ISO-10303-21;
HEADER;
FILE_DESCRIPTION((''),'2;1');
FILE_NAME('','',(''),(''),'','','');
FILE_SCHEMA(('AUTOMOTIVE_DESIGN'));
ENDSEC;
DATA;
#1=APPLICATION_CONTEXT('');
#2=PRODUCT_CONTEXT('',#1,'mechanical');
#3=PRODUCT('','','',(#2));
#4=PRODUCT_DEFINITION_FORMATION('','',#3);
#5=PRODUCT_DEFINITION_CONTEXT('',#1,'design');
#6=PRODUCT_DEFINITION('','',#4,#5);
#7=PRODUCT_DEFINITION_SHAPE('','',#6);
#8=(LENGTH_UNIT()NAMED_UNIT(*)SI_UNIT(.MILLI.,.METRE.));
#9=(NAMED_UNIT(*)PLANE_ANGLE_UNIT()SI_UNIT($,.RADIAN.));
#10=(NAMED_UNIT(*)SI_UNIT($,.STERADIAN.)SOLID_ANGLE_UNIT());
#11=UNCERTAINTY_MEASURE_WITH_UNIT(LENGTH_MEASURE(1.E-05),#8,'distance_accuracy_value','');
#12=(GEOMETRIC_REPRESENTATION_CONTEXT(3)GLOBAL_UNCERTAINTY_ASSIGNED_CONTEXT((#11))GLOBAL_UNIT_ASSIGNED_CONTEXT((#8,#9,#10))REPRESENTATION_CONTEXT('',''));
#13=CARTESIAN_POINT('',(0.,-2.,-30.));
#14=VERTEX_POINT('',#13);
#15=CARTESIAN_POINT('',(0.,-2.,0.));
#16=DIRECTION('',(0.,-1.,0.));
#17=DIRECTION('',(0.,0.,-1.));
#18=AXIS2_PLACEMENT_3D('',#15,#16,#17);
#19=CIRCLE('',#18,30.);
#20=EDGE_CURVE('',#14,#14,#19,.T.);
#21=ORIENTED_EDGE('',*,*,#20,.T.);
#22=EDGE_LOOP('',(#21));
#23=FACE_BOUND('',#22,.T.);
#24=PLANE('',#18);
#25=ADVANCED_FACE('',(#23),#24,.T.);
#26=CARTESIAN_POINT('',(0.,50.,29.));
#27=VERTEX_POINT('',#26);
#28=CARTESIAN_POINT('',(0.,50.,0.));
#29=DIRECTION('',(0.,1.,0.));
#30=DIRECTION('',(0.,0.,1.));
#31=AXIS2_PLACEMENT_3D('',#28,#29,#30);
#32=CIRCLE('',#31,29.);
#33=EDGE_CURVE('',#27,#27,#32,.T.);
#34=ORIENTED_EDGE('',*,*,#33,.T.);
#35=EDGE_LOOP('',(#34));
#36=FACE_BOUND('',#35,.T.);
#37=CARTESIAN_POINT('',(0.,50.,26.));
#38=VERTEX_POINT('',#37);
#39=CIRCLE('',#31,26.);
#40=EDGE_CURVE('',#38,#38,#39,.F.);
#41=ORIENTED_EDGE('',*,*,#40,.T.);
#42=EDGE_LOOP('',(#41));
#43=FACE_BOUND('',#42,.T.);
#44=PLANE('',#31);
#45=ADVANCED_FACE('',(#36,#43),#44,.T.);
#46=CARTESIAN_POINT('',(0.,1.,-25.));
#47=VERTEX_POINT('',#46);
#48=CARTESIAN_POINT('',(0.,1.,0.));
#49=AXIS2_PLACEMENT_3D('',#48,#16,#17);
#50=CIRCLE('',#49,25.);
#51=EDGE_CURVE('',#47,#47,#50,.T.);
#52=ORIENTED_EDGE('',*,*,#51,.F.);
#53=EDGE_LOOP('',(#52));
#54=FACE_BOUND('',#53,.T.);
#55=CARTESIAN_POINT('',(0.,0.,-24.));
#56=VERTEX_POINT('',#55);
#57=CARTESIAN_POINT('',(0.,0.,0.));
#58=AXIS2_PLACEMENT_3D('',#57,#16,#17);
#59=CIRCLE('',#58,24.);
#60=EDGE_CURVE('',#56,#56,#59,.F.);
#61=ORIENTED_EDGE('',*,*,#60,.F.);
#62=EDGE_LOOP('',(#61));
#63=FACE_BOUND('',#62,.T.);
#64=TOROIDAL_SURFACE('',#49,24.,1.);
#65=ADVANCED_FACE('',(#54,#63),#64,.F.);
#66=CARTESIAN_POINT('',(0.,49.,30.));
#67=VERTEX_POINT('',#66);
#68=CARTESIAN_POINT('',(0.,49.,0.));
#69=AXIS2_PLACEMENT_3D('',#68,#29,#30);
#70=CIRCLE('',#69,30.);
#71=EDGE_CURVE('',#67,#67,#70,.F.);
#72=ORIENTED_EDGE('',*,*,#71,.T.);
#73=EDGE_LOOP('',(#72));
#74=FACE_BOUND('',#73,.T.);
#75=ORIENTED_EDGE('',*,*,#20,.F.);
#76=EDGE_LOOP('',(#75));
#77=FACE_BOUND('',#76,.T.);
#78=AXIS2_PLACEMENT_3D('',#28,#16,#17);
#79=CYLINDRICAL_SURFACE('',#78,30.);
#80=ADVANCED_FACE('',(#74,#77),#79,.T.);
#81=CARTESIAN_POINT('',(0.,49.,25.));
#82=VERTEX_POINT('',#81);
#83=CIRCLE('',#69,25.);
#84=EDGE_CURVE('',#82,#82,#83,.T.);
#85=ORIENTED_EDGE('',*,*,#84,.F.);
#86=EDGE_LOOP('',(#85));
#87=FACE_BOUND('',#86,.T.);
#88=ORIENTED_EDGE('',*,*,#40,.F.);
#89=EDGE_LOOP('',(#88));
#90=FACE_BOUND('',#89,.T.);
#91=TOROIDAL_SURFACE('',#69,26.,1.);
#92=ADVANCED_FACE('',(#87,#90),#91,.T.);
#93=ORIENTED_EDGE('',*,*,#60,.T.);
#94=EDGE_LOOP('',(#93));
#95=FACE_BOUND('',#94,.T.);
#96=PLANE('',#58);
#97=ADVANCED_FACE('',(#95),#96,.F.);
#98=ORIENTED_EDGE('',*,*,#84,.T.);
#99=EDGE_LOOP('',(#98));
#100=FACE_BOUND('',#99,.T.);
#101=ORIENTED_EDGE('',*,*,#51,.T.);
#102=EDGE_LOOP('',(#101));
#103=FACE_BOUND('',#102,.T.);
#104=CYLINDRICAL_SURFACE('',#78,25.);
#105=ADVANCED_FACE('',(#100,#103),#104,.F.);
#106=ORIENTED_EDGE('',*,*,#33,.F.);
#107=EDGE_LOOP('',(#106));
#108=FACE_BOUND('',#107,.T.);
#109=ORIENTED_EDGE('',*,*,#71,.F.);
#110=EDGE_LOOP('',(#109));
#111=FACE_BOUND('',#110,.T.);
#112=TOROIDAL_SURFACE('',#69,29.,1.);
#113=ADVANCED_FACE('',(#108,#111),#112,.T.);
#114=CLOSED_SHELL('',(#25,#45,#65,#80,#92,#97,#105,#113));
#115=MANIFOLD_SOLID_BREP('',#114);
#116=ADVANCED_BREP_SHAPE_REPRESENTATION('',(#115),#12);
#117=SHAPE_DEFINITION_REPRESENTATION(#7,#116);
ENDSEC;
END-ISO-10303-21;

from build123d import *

# Parameters (mm, degrees)
SKETCH1_R           = 30
SKETCH1_R_2         = 25
BOSS_EXTRUDE1_DEPTH = 50
BOSS_EXTRUDE2_START = 2
SKETCH2_R           = 30
BOSS_EXTRUDE2_DEPTH = 2
FILLET1_R           = 1


with BuildPart() as part:
    # Sketch1 → Boss-Extrude1 (new body)
    with BuildSketch(Plane(origin=(0, 0, 0), x_dir=(1, 0, 0), z_dir=(0, 1, 0))):
        with Locations(Location((0, 0, 0), (0, 0, 270))):
            Circle(SKETCH1_R)
        with Locations(Location((0, 0, 0), (0, 0, 270))):
            Circle(SKETCH1_R_2, mode=Mode.SUBTRACT)
    extrude(amount=BOSS_EXTRUDE1_DEPTH)

    # Sketch2 → Boss-Extrude2 (add)
    with BuildSketch(Plane.XZ.offset(BOSS_EXTRUDE2_START)):
        with Locations(Location((0, 0, 0), (0, 0, 270))):
            Circle(SKETCH2_R)
    extrude(amount=-BOSS_EXTRUDE2_DEPTH)

    # Fillet1
    fillet1_edges = [part.edges().sort_by_distance(p)[0] for p in [
        (0, 50, -30),
        (0, 0, -25),
        (0, 50, -25),
    ]]
    fillet(fillet1_edges, radius=FILLET1_R)


solid = part.part
